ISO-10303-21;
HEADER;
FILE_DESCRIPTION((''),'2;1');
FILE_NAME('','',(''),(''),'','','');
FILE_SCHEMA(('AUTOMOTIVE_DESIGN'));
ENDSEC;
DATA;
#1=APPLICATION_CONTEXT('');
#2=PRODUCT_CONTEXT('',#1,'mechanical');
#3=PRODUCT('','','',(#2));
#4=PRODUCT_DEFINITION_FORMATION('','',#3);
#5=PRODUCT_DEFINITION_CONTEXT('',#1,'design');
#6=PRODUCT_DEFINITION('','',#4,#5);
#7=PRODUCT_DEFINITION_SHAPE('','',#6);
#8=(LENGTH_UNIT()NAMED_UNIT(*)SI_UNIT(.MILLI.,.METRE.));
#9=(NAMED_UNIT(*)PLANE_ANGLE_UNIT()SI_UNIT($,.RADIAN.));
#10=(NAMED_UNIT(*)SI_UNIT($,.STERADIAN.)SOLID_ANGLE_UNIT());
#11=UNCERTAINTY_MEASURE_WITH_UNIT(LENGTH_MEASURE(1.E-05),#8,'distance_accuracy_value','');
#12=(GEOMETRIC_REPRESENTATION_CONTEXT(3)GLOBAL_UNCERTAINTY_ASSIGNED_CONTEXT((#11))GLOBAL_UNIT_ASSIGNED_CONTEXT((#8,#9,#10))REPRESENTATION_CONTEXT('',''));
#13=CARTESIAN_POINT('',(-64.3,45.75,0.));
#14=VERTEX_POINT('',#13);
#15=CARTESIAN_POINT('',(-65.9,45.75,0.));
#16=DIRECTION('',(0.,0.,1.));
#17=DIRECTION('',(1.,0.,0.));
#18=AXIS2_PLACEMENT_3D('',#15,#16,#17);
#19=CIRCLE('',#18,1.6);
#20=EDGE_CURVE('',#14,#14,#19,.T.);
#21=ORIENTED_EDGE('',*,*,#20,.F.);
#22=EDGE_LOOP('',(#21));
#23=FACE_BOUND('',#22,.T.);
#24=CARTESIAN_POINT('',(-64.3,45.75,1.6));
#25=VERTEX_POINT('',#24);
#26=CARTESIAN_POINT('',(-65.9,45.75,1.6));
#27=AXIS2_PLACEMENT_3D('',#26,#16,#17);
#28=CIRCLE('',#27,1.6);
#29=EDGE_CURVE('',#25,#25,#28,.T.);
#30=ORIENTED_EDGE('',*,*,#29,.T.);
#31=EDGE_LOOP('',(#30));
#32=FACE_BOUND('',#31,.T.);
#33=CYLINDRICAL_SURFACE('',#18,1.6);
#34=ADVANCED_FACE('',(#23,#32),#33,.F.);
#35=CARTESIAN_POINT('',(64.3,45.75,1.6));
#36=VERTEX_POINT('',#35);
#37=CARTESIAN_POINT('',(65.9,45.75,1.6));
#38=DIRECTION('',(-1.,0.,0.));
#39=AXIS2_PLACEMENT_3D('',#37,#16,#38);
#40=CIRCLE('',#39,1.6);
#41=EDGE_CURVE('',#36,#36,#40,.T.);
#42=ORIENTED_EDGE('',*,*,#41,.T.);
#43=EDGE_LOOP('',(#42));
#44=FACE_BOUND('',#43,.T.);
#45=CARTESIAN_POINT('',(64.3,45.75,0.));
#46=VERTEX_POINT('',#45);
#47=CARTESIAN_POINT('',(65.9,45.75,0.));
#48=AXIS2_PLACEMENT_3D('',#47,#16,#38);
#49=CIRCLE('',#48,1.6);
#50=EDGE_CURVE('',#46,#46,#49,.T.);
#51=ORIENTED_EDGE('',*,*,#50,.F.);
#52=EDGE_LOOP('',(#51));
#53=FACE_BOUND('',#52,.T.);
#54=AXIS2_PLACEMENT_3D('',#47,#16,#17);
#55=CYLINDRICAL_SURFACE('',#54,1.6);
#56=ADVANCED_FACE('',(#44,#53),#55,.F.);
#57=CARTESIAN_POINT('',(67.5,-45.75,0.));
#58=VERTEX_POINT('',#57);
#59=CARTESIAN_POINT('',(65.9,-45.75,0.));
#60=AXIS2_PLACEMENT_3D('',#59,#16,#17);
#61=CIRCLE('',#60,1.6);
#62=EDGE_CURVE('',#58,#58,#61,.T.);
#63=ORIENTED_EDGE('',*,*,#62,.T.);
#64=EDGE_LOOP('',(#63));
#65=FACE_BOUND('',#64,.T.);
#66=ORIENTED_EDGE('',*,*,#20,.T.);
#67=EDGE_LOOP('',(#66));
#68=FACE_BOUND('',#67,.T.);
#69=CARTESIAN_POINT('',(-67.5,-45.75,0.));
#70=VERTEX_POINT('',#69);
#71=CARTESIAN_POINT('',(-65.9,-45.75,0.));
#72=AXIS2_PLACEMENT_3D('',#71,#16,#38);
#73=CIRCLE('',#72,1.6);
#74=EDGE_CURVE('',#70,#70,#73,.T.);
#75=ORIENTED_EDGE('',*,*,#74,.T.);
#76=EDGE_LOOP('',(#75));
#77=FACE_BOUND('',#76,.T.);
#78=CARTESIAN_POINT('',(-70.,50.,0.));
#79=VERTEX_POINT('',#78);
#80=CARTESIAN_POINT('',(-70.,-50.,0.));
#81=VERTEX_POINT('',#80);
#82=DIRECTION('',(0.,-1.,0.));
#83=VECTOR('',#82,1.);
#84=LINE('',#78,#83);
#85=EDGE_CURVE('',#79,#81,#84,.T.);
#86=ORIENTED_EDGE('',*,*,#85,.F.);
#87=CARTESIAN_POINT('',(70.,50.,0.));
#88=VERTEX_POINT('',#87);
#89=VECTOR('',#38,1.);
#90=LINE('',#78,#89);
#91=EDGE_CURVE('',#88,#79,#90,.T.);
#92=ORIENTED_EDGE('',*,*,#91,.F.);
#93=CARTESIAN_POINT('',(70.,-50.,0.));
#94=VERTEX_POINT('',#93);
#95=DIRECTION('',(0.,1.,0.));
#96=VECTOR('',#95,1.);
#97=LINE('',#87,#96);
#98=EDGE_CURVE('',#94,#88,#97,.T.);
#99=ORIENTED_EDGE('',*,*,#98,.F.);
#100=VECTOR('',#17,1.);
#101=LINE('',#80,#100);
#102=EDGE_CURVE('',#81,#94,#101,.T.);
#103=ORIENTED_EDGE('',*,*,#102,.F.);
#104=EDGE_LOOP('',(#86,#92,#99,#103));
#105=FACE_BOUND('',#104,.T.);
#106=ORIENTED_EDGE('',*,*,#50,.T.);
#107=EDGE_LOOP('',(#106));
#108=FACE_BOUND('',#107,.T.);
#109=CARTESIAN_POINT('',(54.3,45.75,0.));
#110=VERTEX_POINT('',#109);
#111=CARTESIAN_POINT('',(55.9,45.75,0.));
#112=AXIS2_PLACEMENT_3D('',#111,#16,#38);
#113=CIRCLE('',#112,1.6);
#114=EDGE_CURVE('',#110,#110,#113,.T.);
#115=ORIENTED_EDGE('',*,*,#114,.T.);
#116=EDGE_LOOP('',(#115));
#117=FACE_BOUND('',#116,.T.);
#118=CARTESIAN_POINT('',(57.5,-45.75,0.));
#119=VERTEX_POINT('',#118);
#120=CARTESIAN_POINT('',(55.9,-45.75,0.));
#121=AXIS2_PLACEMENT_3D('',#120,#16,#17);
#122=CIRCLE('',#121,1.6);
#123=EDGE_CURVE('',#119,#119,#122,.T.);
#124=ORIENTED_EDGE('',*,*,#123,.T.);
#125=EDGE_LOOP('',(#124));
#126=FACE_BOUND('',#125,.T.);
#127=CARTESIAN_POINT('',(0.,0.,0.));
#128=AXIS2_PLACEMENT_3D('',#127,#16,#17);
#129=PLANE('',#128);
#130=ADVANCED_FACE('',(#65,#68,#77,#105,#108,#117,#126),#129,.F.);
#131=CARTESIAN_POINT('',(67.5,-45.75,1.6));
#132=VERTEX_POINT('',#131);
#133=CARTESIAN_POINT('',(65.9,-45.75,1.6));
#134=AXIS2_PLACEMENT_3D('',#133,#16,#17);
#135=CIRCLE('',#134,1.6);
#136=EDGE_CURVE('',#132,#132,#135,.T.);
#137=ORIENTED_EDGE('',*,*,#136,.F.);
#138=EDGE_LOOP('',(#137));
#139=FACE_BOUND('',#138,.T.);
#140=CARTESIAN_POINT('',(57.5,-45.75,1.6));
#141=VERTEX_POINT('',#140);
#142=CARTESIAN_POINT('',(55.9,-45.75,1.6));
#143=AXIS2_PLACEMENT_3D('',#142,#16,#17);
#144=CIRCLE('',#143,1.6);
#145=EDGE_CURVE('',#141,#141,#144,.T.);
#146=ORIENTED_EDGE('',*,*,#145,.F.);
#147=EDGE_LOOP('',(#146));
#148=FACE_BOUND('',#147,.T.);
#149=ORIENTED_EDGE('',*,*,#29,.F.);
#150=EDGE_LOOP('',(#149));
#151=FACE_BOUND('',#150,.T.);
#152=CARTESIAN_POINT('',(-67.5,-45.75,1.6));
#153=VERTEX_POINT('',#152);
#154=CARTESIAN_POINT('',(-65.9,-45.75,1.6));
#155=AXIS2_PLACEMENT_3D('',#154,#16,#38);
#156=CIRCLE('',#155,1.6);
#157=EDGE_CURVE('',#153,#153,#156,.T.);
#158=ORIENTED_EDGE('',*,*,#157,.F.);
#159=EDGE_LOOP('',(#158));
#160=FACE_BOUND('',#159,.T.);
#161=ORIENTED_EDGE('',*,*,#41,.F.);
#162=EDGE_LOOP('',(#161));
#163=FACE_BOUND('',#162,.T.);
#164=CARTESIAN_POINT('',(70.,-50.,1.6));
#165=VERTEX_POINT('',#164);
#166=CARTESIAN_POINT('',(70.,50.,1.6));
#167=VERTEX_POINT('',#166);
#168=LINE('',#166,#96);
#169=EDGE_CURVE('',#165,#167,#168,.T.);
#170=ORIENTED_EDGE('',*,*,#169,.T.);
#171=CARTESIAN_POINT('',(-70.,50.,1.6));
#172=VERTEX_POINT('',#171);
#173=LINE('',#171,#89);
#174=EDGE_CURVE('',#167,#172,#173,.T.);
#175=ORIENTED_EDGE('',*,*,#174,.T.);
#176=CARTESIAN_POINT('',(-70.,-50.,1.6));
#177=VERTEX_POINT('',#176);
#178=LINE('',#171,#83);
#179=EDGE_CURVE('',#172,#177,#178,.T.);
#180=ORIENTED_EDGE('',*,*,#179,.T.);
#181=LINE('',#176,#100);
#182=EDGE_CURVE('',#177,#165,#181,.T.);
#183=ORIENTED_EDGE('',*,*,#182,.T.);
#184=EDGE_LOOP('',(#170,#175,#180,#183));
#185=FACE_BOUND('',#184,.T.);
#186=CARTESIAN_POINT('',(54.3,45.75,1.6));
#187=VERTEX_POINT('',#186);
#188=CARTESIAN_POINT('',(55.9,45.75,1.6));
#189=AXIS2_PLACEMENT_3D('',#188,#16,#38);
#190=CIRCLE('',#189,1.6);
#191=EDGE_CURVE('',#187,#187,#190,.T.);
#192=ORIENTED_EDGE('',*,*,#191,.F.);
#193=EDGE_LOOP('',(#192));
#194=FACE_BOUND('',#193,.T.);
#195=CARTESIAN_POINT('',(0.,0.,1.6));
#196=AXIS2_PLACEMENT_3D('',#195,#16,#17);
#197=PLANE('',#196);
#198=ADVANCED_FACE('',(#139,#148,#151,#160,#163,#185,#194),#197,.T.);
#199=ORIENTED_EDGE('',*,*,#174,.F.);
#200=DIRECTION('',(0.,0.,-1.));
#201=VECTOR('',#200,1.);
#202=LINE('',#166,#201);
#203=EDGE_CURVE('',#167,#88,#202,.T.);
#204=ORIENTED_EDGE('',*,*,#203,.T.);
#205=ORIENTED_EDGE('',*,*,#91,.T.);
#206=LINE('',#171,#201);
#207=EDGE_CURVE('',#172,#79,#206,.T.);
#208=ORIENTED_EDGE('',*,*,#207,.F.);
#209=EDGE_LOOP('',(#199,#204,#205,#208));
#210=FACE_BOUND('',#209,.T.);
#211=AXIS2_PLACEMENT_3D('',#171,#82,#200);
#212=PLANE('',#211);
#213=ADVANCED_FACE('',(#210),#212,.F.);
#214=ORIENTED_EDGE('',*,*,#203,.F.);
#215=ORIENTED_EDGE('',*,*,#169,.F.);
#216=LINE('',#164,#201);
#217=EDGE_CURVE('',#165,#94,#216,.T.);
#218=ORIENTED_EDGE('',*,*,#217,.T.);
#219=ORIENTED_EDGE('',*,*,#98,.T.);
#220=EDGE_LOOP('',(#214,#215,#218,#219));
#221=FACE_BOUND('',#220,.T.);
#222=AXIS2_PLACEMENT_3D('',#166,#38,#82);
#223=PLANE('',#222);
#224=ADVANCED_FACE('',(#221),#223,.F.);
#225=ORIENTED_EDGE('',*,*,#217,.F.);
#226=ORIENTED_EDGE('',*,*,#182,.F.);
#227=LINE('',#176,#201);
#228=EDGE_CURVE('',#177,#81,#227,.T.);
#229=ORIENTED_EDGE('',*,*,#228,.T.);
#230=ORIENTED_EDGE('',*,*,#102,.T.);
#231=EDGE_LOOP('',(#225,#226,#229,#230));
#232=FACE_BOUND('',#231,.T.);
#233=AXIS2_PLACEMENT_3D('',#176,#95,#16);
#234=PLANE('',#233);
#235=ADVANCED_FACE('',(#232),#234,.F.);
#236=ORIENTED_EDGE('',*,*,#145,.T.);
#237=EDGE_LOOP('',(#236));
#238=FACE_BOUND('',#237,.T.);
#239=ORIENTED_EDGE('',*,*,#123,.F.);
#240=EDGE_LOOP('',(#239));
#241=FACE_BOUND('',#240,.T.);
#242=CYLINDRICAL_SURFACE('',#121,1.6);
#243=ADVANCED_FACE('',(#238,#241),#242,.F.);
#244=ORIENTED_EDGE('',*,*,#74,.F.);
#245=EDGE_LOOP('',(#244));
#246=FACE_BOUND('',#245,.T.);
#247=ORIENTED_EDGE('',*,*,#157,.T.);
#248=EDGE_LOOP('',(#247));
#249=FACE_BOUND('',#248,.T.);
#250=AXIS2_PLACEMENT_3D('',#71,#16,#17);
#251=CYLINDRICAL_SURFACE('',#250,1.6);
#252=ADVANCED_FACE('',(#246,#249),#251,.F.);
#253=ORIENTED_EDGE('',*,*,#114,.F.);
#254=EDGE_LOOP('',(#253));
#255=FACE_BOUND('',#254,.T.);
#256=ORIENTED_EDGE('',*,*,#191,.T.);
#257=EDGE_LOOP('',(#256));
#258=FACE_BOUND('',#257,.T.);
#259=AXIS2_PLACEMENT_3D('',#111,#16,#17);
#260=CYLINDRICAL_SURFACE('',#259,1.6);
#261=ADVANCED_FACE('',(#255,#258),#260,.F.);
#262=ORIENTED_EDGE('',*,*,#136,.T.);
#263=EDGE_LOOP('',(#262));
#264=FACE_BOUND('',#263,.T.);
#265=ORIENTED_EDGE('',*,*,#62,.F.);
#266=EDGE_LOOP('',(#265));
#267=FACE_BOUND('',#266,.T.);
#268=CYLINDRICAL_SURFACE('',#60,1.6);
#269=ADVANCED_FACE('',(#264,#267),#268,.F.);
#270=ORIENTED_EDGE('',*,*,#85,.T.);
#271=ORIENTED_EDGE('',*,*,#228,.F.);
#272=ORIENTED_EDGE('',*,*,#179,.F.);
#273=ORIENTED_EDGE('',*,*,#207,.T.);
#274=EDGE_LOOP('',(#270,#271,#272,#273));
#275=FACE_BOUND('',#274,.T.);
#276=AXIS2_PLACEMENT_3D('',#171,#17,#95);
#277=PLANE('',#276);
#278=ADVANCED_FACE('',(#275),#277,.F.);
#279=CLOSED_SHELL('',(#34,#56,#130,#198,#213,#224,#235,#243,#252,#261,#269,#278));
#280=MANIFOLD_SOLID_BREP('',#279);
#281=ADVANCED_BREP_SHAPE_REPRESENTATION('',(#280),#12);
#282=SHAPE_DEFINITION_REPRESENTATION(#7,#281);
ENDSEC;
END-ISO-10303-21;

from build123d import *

# Parameters (mm, degrees)
SKETCH_1_W          = 140
SKETCH_1_H          = 100
EXTRUDE_1_DEPTH     = 1.6
SKETCH_2_R          = 1.6
CUT_EXTRUDE_1_DEPTH = 87.038131082


with BuildPart() as part:
    # Эскиз1 → Бобышка-Вытянуть1 (new body)
    with BuildSketch(Plane.XY):
        Rectangle(SKETCH_1_W, SKETCH_1_H)
    extrude(amount=EXTRUDE_1_DEPTH)

    # Эскиз2 → Вырез-Вытянуть1 (cut, through all)
    with BuildSketch(Plane.XY.offset(1.6)):
        with Locations((-65.9, 45.75)):
            Circle(SKETCH_2_R)
        with Locations(Location((65.9, 45.75, 0), (0, 0, 180))):
            Circle(SKETCH_2_R)
        with Locations((65.9, -45.75)):
            Circle(SKETCH_2_R)
        with Locations(Location((-65.9, -45.75, 0), (0, 0, 180))):
            Circle(SKETCH_2_R)
        with Locations(Location((55.9, 45.75, 0), (0, 0, 180))):
            Circle(SKETCH_2_R)
        with Locations((55.9, -45.75)):
            Circle(SKETCH_2_R)
    extrude(amount=-CUT_EXTRUDE_1_DEPTH, mode=Mode.SUBTRACT)


solid = part.part
